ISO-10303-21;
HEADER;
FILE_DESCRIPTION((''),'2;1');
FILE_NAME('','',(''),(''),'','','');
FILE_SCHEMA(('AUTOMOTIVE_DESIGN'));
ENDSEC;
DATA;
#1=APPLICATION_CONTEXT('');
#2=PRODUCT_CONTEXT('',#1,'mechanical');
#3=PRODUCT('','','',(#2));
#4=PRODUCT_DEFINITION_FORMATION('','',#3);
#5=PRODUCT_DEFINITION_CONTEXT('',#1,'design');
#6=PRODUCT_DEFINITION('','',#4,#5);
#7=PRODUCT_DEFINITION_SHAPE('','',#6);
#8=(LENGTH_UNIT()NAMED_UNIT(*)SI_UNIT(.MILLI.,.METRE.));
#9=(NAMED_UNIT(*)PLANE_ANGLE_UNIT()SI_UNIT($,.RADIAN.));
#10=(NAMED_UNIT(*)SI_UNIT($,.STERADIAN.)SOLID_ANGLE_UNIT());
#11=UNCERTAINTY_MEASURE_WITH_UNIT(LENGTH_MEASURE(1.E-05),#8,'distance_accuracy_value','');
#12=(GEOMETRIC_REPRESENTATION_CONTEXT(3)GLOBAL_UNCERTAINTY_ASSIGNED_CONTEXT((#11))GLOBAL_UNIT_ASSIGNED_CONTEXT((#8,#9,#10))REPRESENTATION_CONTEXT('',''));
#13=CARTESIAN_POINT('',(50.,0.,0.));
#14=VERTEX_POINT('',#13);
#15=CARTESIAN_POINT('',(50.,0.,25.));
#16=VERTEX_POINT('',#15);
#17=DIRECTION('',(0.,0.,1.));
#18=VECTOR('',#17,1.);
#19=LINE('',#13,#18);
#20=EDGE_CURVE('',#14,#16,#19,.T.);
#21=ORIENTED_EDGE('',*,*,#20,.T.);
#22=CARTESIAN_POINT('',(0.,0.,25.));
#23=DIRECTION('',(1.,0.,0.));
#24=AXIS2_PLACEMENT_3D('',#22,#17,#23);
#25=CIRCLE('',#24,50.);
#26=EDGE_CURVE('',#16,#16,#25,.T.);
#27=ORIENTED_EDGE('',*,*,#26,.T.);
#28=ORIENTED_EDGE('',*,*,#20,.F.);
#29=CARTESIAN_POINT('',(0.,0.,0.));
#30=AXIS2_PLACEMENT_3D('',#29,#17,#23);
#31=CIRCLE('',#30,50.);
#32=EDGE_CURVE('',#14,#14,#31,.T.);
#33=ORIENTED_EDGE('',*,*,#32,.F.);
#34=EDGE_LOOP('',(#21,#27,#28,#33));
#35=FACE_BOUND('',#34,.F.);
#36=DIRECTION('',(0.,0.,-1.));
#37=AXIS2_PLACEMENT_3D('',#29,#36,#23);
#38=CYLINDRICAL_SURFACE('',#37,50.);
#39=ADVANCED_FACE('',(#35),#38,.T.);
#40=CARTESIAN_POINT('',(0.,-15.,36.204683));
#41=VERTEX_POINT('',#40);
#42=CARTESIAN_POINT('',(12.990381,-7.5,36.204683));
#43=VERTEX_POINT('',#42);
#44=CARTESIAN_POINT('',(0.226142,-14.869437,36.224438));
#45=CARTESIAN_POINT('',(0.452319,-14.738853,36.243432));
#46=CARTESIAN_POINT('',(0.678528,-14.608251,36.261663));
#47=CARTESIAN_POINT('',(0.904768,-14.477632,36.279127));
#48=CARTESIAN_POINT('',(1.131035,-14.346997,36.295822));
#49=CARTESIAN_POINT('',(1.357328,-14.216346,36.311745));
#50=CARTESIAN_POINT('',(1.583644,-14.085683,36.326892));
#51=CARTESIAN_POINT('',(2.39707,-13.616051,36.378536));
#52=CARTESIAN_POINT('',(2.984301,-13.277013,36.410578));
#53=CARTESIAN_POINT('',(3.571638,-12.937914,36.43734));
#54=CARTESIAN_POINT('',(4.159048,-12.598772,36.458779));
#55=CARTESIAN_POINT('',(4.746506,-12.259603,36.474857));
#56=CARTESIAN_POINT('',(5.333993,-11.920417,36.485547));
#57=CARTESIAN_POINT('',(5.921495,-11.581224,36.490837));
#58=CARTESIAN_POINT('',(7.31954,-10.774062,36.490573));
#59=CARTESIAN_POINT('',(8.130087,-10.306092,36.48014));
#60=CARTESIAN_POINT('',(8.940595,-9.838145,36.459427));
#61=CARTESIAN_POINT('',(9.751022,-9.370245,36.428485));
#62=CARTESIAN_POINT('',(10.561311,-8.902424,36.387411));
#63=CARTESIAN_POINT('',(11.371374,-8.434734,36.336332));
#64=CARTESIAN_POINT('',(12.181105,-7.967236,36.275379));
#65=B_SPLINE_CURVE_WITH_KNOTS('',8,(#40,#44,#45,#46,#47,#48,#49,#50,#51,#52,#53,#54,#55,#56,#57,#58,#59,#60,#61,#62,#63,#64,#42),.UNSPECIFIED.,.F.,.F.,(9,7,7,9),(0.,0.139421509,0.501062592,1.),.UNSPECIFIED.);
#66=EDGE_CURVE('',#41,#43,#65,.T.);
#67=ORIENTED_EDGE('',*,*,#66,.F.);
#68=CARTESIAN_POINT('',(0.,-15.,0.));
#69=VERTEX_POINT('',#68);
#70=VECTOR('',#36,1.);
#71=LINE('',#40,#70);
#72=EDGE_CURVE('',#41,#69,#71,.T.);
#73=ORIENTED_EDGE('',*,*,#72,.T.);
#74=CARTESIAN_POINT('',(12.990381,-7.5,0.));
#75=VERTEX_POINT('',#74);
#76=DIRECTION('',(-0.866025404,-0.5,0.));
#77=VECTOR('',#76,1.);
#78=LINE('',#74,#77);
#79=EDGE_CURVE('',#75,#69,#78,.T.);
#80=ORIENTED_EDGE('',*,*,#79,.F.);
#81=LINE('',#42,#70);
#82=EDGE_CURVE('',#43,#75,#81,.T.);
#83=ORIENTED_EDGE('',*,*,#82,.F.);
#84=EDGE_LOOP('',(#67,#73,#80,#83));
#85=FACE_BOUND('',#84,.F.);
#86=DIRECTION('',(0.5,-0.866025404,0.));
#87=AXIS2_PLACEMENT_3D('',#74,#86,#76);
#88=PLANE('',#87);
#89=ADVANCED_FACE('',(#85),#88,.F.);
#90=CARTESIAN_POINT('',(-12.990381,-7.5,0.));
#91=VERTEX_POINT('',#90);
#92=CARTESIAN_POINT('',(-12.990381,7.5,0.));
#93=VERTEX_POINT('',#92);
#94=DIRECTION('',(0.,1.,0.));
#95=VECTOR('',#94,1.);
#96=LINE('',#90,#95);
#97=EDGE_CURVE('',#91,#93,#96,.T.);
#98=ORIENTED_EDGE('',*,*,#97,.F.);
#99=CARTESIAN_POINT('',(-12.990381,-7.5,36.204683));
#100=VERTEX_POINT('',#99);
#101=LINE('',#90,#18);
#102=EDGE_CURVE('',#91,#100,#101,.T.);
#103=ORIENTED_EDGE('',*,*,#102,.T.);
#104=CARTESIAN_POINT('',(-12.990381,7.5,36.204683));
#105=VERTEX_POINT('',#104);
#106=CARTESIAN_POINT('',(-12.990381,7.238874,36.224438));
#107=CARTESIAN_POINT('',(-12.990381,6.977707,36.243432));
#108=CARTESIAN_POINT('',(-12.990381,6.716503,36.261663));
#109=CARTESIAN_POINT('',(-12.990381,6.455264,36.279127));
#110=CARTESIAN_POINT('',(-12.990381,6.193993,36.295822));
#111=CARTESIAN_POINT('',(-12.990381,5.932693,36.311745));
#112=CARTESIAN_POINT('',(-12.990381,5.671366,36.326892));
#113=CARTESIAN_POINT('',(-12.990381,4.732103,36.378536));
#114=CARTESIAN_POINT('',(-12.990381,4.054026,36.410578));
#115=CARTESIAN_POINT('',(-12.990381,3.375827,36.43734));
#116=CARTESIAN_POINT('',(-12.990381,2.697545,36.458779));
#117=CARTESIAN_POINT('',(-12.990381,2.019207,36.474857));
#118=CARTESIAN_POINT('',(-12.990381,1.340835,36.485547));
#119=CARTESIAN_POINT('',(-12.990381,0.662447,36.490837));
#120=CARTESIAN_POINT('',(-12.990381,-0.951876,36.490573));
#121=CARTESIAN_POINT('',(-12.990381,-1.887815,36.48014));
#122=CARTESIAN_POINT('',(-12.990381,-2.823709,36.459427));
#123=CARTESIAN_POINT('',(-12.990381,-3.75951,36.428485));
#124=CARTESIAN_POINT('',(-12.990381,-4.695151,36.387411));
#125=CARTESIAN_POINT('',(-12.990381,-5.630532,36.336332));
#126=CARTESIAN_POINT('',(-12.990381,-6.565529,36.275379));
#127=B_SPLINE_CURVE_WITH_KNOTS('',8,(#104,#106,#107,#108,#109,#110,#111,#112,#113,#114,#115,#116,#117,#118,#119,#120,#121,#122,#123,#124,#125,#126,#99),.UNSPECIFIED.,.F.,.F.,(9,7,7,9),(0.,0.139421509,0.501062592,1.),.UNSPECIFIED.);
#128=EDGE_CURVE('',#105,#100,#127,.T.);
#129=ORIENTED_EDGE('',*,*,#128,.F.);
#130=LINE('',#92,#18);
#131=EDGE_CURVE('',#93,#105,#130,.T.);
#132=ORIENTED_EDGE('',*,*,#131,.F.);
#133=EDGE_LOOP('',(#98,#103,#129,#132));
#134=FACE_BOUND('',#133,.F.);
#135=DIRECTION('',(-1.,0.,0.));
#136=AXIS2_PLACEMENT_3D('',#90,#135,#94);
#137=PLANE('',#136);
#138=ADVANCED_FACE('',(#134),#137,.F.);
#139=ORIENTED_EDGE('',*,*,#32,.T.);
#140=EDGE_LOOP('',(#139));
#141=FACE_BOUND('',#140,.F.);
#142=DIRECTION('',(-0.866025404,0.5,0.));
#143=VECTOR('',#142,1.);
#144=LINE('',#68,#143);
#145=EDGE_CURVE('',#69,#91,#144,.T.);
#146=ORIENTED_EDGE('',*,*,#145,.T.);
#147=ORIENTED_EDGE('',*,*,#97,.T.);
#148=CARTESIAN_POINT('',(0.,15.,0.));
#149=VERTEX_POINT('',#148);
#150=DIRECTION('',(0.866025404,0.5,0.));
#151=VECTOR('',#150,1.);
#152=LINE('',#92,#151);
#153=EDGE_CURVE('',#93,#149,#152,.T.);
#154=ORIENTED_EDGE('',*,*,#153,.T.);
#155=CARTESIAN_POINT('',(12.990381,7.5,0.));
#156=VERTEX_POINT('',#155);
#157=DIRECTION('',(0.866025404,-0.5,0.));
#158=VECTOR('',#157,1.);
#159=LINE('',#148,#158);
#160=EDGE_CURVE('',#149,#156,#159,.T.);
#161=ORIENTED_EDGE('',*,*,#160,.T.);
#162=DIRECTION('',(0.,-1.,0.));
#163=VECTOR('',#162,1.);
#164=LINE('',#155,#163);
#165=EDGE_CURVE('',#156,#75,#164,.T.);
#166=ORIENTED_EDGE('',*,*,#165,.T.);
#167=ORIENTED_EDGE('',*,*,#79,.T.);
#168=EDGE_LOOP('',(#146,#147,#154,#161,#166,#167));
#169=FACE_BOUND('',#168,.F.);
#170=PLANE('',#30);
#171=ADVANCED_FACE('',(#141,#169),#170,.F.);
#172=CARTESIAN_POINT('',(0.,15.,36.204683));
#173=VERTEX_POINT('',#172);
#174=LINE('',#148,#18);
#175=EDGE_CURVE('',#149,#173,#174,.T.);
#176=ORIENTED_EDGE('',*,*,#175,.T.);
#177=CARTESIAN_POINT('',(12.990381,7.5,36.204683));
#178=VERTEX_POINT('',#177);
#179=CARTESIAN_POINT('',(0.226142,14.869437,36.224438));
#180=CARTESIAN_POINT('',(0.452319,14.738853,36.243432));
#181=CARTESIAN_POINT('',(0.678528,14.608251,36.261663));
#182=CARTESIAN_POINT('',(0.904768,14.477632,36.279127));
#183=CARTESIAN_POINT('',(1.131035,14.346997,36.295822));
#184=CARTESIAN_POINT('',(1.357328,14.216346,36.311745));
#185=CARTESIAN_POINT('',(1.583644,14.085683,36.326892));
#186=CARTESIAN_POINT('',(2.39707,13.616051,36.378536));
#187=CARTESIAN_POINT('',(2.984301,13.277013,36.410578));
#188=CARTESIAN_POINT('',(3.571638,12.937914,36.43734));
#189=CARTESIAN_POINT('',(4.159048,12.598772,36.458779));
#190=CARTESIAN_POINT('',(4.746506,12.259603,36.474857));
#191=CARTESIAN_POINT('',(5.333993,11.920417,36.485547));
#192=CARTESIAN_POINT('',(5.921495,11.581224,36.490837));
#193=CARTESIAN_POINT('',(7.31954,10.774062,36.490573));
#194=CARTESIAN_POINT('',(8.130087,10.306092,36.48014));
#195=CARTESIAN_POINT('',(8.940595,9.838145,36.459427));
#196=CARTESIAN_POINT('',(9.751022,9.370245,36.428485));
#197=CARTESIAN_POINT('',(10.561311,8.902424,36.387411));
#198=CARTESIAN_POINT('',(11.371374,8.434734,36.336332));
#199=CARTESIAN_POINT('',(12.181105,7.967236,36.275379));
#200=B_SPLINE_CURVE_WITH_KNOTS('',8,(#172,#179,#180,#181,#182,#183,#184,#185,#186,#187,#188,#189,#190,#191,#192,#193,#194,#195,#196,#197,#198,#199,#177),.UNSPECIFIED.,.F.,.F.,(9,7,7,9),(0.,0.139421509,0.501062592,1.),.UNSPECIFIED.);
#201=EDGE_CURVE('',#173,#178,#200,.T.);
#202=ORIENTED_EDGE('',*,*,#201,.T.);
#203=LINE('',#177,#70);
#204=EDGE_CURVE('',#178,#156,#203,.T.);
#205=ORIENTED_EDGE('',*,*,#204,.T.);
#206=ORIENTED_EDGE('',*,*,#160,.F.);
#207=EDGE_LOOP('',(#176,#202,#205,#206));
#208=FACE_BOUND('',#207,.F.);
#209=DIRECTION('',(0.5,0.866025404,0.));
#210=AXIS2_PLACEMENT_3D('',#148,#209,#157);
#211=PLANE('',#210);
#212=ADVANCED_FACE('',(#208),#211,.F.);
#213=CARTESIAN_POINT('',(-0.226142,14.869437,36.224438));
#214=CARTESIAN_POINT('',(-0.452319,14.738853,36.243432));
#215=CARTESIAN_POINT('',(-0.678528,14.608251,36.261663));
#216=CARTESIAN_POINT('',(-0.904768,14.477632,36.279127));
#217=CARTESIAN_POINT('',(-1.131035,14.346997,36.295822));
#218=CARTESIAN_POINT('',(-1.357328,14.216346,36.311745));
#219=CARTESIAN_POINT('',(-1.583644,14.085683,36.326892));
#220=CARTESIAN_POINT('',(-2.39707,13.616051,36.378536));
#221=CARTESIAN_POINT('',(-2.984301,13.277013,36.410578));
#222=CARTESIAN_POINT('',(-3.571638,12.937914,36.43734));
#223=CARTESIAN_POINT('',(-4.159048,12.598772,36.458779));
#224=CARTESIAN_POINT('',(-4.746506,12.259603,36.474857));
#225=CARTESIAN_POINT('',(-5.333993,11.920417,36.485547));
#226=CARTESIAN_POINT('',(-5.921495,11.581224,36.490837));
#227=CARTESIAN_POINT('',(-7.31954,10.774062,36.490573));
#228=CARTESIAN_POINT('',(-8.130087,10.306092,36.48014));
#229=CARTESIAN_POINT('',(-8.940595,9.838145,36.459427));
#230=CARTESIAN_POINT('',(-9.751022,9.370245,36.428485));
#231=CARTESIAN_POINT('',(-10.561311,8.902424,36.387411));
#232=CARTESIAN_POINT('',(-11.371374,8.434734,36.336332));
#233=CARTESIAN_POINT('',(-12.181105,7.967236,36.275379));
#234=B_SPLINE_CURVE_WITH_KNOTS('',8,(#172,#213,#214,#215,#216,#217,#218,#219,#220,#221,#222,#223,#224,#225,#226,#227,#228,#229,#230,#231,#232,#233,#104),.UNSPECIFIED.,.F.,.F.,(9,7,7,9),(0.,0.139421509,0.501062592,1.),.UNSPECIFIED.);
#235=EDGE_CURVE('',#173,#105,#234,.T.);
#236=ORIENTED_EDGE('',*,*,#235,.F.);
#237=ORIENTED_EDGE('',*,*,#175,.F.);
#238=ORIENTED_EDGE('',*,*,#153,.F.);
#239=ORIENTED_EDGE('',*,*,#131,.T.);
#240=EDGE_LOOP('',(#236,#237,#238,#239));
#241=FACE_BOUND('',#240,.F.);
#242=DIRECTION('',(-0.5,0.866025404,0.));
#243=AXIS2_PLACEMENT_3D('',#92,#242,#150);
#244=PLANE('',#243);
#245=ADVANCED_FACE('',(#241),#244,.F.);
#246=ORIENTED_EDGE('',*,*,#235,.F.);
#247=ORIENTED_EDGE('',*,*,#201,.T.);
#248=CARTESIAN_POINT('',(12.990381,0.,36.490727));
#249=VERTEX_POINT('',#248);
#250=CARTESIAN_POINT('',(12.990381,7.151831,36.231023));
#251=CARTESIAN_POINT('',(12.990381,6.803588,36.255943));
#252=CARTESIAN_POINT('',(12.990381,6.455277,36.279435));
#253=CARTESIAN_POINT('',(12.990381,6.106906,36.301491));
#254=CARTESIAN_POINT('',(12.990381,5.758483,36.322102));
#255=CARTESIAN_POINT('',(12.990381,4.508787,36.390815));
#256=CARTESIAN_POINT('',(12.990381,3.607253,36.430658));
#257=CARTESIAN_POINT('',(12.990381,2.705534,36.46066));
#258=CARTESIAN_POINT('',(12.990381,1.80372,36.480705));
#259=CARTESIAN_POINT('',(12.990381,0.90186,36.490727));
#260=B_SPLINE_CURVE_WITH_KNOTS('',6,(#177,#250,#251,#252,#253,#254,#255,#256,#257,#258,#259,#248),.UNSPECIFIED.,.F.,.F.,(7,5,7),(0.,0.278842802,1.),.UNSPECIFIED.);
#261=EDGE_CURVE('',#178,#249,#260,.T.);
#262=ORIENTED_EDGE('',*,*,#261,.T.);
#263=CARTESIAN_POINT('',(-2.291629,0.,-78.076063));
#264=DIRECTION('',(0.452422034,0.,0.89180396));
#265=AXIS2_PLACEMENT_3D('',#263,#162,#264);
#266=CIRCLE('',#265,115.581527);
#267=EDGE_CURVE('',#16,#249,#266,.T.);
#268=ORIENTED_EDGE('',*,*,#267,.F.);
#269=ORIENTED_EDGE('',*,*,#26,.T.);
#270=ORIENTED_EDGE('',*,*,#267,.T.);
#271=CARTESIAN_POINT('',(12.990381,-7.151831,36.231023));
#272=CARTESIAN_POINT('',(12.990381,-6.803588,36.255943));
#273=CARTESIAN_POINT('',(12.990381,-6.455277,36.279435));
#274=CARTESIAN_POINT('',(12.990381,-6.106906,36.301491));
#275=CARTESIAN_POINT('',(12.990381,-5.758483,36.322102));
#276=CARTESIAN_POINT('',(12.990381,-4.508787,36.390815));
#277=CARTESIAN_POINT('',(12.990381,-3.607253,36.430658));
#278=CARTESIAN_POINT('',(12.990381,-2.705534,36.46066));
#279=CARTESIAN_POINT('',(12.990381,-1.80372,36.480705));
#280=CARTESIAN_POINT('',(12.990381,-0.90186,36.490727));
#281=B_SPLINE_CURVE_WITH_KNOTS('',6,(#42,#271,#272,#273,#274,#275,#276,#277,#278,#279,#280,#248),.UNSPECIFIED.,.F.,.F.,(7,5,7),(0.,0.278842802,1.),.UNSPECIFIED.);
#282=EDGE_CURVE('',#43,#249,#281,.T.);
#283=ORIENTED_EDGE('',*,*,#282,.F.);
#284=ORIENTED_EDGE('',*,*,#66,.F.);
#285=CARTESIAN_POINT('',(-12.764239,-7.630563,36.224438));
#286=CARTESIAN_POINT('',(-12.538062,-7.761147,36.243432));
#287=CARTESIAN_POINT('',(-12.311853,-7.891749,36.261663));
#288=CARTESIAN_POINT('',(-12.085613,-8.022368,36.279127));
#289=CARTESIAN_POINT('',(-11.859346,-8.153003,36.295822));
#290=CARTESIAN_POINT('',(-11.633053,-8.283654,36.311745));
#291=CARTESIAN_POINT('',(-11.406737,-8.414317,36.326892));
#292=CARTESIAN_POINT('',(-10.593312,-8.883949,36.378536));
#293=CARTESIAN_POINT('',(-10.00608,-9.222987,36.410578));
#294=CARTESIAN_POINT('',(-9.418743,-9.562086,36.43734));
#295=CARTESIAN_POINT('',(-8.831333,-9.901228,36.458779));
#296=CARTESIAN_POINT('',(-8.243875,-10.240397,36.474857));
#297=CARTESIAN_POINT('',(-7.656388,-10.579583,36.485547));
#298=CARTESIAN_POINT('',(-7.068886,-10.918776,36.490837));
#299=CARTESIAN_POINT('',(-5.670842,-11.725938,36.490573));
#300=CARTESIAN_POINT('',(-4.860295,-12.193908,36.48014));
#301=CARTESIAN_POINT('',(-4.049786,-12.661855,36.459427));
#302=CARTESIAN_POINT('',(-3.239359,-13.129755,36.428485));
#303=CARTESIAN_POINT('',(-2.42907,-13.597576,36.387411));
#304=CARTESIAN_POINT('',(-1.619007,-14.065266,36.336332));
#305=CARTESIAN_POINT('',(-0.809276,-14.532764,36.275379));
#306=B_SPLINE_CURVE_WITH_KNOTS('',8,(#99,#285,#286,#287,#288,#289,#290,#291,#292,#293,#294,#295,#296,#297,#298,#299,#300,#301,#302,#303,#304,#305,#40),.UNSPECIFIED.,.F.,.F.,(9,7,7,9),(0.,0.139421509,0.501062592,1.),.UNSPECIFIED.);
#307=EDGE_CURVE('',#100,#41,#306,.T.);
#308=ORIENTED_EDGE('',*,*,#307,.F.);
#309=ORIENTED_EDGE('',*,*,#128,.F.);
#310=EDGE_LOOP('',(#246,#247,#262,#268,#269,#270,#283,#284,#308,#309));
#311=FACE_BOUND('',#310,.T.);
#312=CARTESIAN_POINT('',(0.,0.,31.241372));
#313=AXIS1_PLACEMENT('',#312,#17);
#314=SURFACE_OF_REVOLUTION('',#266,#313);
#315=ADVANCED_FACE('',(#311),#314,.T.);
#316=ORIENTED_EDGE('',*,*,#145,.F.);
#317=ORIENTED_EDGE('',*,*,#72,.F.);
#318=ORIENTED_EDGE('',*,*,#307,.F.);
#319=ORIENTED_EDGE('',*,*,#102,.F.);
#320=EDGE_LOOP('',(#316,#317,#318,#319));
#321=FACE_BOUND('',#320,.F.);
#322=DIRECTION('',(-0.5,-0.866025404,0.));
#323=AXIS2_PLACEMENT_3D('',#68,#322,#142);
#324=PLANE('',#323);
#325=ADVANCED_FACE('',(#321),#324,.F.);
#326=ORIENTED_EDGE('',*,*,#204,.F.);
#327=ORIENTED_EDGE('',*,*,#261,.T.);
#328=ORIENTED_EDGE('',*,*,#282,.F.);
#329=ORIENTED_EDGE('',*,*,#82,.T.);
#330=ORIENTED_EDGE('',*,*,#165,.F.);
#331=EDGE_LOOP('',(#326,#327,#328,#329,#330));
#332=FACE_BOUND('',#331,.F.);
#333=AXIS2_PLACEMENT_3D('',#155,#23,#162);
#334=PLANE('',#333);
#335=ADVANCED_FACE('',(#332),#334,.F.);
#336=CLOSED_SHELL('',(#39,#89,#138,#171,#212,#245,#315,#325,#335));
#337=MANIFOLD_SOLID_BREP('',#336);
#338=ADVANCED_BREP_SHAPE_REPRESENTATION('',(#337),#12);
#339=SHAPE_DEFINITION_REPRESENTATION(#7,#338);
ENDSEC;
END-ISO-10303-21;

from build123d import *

# Parameters (mm, degrees)
F0_R     = 50
F1_DEPTH = 25
F4_DEPTH = 12.4837433515


with BuildPart() as f1:
    # F0 (on Top) → F1 (new body)
    with BuildSketch(Plane.XY):
        Circle(F0_R)
        Polygon((-12.9903810568, 7.5), (0, 15), (12.9903810568, 7.5), (12.9903810568, -7.5), (0, -15), (-12.9903810568, -7.5), align=None, mode=Mode.SUBTRACT)
    extrude(amount=F1_DEPTH)

    # F2 (on Front) → F3 (revolve)
    with BuildSketch(Plane.XZ):
        with BuildLine():
            Line((0, 25), (50, 25))
            ThreePointArc((50, 25), (25.7045802551, 34.0635888294), (0, 37.4827432515))
            Line((0, 37.4827432515), (0, 25))
        make_face()
    revolve(axis=Axis((0, 0, 31.2413716258), (0, 0, 1)))

    # F4 (cut, through all): a face of the model
    f4_faces = [f1.faces().sort_by_distance(p)[0] for p in [
        (0, 0, 25),
    ]]
    extrude(f4_faces, amount=-F4_DEPTH, mode=Mode.SUBTRACT)


solid = f1.part
